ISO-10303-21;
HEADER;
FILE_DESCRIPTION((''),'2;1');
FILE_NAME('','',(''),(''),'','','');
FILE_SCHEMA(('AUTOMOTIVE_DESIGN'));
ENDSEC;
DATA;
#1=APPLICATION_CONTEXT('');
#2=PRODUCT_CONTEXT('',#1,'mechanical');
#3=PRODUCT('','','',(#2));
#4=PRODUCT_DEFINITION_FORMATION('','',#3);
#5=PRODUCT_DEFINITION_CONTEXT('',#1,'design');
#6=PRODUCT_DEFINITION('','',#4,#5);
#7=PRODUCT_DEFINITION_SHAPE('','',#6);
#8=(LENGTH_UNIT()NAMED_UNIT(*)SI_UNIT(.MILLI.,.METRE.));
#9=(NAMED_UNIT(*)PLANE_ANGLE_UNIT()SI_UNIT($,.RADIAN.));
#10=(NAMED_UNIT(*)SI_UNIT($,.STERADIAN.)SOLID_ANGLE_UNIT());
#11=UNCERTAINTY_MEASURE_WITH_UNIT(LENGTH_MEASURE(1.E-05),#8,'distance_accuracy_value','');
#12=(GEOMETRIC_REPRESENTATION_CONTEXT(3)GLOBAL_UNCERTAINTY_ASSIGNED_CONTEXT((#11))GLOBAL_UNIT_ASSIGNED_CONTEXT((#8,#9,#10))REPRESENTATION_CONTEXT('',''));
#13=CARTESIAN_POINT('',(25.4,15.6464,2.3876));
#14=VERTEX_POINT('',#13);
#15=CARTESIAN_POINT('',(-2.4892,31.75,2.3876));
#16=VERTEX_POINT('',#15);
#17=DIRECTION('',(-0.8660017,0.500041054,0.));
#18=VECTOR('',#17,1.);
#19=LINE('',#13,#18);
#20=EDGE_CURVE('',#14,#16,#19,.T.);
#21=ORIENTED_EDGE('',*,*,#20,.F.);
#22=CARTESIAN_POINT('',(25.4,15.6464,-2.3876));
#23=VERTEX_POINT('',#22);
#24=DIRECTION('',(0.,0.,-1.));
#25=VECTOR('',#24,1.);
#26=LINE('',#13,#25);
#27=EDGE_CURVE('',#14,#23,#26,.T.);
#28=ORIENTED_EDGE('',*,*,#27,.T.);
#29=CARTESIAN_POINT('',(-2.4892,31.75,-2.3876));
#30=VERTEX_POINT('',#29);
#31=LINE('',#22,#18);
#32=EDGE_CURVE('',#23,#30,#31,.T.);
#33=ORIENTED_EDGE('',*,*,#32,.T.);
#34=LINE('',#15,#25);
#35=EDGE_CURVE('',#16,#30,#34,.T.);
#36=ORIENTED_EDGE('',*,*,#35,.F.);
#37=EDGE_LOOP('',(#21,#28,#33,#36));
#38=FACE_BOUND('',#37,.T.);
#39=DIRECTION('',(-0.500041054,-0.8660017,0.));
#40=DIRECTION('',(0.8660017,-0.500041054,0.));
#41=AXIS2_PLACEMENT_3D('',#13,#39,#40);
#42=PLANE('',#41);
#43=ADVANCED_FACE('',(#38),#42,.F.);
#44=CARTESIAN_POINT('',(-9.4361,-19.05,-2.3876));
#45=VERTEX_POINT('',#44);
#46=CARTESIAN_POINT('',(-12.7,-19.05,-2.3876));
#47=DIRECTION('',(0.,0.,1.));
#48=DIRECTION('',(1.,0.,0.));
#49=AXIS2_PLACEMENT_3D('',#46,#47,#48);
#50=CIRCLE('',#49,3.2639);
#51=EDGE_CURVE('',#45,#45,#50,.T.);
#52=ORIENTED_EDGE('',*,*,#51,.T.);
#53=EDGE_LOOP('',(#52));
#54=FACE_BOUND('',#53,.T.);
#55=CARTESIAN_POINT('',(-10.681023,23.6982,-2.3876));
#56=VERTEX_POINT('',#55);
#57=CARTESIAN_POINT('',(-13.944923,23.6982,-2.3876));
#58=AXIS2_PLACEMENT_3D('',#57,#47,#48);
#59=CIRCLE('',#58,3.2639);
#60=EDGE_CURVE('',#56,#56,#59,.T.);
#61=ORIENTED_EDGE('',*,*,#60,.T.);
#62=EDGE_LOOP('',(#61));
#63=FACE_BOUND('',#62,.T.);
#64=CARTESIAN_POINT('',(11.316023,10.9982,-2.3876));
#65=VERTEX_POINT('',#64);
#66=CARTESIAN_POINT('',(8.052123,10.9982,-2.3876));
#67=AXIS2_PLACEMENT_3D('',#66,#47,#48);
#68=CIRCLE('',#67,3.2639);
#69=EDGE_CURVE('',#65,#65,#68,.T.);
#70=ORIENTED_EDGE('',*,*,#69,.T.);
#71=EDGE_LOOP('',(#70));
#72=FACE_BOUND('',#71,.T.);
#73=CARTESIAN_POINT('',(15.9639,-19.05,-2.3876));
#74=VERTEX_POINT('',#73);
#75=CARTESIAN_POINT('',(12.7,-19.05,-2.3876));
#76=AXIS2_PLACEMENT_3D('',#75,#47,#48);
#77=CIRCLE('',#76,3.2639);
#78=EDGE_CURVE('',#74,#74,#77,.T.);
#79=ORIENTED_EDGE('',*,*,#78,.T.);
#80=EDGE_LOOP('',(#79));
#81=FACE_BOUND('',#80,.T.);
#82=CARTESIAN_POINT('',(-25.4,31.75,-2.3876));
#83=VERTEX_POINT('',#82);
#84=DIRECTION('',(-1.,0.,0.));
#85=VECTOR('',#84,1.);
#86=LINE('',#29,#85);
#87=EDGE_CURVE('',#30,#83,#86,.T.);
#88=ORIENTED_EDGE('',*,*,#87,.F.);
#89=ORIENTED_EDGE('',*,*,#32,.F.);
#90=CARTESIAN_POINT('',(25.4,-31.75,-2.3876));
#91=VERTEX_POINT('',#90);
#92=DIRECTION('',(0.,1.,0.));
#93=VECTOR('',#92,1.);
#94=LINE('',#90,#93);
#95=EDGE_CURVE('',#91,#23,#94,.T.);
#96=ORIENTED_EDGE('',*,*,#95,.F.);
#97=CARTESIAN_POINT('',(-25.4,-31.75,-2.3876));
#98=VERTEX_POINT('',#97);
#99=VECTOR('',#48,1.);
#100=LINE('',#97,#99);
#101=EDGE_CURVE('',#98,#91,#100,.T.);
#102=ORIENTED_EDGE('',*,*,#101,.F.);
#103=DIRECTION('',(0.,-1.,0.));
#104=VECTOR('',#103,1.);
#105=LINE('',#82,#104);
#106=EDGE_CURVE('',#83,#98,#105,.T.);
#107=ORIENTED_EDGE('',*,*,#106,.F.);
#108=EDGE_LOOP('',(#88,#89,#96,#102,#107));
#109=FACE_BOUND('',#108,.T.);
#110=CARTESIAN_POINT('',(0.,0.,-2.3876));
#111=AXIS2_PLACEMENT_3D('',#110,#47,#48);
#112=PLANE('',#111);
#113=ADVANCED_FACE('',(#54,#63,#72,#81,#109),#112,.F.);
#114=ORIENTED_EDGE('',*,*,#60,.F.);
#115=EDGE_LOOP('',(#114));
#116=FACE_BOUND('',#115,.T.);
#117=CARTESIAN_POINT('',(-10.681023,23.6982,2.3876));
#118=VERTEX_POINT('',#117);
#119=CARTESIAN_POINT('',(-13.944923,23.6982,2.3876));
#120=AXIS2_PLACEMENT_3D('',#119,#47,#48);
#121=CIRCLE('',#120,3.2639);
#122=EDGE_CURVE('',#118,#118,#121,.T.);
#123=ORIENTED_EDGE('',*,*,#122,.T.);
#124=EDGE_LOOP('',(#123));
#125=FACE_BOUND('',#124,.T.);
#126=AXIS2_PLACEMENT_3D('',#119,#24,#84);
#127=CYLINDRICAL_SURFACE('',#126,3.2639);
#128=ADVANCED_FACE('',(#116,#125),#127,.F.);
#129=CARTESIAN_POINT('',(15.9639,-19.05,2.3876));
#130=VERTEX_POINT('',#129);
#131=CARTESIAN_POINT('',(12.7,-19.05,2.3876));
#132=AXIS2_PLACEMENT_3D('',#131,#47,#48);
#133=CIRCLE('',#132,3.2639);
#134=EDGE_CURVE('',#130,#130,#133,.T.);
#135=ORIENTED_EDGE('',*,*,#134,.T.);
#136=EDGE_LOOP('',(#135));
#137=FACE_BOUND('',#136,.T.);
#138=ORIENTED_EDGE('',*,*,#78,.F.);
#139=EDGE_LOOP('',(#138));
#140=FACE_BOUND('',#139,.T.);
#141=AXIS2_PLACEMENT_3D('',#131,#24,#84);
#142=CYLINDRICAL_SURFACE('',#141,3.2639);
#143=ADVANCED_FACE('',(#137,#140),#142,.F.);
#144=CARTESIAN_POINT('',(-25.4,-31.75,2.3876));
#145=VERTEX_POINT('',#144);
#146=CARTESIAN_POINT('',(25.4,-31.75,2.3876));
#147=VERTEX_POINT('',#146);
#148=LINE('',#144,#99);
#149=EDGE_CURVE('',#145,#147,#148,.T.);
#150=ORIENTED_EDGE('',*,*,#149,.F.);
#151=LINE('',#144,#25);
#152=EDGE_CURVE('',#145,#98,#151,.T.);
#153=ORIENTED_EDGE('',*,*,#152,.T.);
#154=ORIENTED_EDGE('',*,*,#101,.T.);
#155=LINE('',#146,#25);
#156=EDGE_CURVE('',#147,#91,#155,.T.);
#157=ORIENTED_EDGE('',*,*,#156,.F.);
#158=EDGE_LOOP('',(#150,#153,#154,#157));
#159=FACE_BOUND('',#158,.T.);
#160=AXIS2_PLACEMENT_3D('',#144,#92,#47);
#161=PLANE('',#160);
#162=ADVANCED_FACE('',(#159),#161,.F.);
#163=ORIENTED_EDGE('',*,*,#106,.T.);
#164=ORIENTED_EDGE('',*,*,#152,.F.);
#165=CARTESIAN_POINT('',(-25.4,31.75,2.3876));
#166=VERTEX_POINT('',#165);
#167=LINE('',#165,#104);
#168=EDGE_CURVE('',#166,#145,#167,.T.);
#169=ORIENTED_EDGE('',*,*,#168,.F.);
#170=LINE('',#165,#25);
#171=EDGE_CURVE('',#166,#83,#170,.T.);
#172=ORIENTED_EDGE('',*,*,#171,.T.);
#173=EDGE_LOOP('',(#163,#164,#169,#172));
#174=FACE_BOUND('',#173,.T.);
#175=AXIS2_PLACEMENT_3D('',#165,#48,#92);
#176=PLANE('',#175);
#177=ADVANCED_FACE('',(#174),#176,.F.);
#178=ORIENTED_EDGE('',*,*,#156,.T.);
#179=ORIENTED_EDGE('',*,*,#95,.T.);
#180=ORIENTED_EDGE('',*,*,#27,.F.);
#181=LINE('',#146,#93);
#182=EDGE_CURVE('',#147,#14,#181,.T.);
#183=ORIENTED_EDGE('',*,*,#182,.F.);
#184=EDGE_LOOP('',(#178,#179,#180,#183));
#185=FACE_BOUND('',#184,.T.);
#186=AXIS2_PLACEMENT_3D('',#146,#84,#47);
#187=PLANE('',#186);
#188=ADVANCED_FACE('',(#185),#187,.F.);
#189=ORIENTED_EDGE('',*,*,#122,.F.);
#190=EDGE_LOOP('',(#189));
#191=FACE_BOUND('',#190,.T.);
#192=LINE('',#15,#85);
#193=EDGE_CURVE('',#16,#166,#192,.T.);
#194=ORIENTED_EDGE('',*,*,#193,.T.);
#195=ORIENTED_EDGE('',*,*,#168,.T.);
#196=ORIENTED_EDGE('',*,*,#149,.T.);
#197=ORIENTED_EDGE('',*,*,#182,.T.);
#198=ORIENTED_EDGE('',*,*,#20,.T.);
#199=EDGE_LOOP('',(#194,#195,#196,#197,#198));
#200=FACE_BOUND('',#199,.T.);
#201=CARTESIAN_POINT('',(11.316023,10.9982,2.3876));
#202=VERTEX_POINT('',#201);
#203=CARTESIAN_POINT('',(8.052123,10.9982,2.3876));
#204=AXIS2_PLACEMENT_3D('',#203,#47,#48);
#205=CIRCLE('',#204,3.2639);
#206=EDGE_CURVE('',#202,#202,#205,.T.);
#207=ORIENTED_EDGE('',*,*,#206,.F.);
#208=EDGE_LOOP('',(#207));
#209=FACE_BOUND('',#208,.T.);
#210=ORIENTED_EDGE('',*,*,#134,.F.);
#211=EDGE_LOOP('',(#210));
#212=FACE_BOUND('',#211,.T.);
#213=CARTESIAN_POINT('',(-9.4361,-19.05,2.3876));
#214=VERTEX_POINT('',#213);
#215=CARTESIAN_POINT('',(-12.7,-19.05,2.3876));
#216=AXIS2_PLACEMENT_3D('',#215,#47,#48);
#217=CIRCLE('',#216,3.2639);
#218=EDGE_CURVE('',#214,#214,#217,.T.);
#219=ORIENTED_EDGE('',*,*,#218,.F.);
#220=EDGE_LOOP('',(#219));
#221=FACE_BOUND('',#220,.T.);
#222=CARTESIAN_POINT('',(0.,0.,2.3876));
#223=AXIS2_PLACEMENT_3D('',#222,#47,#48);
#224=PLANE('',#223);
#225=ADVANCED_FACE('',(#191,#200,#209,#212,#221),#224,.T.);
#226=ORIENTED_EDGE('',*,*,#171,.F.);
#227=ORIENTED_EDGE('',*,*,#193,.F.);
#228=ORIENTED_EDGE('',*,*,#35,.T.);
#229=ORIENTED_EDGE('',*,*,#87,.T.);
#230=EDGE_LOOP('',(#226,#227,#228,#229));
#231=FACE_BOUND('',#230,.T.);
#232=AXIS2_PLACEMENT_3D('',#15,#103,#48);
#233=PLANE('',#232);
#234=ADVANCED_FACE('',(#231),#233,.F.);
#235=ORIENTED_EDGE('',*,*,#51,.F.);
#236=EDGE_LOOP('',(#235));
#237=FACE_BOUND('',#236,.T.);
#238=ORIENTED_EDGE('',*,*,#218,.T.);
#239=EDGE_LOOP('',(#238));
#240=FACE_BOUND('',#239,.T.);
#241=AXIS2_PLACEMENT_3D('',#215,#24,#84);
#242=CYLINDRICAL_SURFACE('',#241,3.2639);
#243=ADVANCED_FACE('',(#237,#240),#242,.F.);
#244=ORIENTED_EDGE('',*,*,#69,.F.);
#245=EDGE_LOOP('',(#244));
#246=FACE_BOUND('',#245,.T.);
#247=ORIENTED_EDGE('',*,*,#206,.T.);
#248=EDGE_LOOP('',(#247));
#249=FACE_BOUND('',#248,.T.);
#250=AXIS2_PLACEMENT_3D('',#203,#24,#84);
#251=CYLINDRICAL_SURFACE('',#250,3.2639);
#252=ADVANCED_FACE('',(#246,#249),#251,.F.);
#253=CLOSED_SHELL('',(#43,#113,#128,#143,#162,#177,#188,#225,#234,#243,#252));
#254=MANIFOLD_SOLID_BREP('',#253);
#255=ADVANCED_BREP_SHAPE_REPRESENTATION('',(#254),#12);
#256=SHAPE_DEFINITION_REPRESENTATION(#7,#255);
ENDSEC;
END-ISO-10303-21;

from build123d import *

# Parameters (mm, degrees)
BOSS_EXTRUDE1_DEPTH      = 2.3876
BOSS_EXTRUDE1_DEPTH_BACK = 2.3876
SKETCH3_R                = 3.2639


with BuildPart() as part:
    # Sketch3 → Boss-Extrude1 (new, two sides: drawn at the far end of the back side and taken through both)
    with BuildSketch(Plane.XY.offset(-BOSS_EXTRUDE1_DEPTH_BACK)):
        Polygon((25.4, -31.75), (25.4, 15.6464), (-2.4892, 31.75), (-25.4, 31.75), (-25.4, -31.75), align=None)
        with Locations((12.7, -19.05)):
            Circle(SKETCH3_R, mode=Mode.SUBTRACT)
        with Locations((8.052122612, 10.9982)):
            Circle(SKETCH3_R, mode=Mode.SUBTRACT)
        with Locations((-12.7, -19.05)):
            Circle(SKETCH3_R, mode=Mode.SUBTRACT)
        with Locations((-13.944922644, 23.6982)):
            Circle(SKETCH3_R, mode=Mode.SUBTRACT)
    extrude(amount=BOSS_EXTRUDE1_DEPTH + BOSS_EXTRUDE1_DEPTH_BACK)


solid = part.part
